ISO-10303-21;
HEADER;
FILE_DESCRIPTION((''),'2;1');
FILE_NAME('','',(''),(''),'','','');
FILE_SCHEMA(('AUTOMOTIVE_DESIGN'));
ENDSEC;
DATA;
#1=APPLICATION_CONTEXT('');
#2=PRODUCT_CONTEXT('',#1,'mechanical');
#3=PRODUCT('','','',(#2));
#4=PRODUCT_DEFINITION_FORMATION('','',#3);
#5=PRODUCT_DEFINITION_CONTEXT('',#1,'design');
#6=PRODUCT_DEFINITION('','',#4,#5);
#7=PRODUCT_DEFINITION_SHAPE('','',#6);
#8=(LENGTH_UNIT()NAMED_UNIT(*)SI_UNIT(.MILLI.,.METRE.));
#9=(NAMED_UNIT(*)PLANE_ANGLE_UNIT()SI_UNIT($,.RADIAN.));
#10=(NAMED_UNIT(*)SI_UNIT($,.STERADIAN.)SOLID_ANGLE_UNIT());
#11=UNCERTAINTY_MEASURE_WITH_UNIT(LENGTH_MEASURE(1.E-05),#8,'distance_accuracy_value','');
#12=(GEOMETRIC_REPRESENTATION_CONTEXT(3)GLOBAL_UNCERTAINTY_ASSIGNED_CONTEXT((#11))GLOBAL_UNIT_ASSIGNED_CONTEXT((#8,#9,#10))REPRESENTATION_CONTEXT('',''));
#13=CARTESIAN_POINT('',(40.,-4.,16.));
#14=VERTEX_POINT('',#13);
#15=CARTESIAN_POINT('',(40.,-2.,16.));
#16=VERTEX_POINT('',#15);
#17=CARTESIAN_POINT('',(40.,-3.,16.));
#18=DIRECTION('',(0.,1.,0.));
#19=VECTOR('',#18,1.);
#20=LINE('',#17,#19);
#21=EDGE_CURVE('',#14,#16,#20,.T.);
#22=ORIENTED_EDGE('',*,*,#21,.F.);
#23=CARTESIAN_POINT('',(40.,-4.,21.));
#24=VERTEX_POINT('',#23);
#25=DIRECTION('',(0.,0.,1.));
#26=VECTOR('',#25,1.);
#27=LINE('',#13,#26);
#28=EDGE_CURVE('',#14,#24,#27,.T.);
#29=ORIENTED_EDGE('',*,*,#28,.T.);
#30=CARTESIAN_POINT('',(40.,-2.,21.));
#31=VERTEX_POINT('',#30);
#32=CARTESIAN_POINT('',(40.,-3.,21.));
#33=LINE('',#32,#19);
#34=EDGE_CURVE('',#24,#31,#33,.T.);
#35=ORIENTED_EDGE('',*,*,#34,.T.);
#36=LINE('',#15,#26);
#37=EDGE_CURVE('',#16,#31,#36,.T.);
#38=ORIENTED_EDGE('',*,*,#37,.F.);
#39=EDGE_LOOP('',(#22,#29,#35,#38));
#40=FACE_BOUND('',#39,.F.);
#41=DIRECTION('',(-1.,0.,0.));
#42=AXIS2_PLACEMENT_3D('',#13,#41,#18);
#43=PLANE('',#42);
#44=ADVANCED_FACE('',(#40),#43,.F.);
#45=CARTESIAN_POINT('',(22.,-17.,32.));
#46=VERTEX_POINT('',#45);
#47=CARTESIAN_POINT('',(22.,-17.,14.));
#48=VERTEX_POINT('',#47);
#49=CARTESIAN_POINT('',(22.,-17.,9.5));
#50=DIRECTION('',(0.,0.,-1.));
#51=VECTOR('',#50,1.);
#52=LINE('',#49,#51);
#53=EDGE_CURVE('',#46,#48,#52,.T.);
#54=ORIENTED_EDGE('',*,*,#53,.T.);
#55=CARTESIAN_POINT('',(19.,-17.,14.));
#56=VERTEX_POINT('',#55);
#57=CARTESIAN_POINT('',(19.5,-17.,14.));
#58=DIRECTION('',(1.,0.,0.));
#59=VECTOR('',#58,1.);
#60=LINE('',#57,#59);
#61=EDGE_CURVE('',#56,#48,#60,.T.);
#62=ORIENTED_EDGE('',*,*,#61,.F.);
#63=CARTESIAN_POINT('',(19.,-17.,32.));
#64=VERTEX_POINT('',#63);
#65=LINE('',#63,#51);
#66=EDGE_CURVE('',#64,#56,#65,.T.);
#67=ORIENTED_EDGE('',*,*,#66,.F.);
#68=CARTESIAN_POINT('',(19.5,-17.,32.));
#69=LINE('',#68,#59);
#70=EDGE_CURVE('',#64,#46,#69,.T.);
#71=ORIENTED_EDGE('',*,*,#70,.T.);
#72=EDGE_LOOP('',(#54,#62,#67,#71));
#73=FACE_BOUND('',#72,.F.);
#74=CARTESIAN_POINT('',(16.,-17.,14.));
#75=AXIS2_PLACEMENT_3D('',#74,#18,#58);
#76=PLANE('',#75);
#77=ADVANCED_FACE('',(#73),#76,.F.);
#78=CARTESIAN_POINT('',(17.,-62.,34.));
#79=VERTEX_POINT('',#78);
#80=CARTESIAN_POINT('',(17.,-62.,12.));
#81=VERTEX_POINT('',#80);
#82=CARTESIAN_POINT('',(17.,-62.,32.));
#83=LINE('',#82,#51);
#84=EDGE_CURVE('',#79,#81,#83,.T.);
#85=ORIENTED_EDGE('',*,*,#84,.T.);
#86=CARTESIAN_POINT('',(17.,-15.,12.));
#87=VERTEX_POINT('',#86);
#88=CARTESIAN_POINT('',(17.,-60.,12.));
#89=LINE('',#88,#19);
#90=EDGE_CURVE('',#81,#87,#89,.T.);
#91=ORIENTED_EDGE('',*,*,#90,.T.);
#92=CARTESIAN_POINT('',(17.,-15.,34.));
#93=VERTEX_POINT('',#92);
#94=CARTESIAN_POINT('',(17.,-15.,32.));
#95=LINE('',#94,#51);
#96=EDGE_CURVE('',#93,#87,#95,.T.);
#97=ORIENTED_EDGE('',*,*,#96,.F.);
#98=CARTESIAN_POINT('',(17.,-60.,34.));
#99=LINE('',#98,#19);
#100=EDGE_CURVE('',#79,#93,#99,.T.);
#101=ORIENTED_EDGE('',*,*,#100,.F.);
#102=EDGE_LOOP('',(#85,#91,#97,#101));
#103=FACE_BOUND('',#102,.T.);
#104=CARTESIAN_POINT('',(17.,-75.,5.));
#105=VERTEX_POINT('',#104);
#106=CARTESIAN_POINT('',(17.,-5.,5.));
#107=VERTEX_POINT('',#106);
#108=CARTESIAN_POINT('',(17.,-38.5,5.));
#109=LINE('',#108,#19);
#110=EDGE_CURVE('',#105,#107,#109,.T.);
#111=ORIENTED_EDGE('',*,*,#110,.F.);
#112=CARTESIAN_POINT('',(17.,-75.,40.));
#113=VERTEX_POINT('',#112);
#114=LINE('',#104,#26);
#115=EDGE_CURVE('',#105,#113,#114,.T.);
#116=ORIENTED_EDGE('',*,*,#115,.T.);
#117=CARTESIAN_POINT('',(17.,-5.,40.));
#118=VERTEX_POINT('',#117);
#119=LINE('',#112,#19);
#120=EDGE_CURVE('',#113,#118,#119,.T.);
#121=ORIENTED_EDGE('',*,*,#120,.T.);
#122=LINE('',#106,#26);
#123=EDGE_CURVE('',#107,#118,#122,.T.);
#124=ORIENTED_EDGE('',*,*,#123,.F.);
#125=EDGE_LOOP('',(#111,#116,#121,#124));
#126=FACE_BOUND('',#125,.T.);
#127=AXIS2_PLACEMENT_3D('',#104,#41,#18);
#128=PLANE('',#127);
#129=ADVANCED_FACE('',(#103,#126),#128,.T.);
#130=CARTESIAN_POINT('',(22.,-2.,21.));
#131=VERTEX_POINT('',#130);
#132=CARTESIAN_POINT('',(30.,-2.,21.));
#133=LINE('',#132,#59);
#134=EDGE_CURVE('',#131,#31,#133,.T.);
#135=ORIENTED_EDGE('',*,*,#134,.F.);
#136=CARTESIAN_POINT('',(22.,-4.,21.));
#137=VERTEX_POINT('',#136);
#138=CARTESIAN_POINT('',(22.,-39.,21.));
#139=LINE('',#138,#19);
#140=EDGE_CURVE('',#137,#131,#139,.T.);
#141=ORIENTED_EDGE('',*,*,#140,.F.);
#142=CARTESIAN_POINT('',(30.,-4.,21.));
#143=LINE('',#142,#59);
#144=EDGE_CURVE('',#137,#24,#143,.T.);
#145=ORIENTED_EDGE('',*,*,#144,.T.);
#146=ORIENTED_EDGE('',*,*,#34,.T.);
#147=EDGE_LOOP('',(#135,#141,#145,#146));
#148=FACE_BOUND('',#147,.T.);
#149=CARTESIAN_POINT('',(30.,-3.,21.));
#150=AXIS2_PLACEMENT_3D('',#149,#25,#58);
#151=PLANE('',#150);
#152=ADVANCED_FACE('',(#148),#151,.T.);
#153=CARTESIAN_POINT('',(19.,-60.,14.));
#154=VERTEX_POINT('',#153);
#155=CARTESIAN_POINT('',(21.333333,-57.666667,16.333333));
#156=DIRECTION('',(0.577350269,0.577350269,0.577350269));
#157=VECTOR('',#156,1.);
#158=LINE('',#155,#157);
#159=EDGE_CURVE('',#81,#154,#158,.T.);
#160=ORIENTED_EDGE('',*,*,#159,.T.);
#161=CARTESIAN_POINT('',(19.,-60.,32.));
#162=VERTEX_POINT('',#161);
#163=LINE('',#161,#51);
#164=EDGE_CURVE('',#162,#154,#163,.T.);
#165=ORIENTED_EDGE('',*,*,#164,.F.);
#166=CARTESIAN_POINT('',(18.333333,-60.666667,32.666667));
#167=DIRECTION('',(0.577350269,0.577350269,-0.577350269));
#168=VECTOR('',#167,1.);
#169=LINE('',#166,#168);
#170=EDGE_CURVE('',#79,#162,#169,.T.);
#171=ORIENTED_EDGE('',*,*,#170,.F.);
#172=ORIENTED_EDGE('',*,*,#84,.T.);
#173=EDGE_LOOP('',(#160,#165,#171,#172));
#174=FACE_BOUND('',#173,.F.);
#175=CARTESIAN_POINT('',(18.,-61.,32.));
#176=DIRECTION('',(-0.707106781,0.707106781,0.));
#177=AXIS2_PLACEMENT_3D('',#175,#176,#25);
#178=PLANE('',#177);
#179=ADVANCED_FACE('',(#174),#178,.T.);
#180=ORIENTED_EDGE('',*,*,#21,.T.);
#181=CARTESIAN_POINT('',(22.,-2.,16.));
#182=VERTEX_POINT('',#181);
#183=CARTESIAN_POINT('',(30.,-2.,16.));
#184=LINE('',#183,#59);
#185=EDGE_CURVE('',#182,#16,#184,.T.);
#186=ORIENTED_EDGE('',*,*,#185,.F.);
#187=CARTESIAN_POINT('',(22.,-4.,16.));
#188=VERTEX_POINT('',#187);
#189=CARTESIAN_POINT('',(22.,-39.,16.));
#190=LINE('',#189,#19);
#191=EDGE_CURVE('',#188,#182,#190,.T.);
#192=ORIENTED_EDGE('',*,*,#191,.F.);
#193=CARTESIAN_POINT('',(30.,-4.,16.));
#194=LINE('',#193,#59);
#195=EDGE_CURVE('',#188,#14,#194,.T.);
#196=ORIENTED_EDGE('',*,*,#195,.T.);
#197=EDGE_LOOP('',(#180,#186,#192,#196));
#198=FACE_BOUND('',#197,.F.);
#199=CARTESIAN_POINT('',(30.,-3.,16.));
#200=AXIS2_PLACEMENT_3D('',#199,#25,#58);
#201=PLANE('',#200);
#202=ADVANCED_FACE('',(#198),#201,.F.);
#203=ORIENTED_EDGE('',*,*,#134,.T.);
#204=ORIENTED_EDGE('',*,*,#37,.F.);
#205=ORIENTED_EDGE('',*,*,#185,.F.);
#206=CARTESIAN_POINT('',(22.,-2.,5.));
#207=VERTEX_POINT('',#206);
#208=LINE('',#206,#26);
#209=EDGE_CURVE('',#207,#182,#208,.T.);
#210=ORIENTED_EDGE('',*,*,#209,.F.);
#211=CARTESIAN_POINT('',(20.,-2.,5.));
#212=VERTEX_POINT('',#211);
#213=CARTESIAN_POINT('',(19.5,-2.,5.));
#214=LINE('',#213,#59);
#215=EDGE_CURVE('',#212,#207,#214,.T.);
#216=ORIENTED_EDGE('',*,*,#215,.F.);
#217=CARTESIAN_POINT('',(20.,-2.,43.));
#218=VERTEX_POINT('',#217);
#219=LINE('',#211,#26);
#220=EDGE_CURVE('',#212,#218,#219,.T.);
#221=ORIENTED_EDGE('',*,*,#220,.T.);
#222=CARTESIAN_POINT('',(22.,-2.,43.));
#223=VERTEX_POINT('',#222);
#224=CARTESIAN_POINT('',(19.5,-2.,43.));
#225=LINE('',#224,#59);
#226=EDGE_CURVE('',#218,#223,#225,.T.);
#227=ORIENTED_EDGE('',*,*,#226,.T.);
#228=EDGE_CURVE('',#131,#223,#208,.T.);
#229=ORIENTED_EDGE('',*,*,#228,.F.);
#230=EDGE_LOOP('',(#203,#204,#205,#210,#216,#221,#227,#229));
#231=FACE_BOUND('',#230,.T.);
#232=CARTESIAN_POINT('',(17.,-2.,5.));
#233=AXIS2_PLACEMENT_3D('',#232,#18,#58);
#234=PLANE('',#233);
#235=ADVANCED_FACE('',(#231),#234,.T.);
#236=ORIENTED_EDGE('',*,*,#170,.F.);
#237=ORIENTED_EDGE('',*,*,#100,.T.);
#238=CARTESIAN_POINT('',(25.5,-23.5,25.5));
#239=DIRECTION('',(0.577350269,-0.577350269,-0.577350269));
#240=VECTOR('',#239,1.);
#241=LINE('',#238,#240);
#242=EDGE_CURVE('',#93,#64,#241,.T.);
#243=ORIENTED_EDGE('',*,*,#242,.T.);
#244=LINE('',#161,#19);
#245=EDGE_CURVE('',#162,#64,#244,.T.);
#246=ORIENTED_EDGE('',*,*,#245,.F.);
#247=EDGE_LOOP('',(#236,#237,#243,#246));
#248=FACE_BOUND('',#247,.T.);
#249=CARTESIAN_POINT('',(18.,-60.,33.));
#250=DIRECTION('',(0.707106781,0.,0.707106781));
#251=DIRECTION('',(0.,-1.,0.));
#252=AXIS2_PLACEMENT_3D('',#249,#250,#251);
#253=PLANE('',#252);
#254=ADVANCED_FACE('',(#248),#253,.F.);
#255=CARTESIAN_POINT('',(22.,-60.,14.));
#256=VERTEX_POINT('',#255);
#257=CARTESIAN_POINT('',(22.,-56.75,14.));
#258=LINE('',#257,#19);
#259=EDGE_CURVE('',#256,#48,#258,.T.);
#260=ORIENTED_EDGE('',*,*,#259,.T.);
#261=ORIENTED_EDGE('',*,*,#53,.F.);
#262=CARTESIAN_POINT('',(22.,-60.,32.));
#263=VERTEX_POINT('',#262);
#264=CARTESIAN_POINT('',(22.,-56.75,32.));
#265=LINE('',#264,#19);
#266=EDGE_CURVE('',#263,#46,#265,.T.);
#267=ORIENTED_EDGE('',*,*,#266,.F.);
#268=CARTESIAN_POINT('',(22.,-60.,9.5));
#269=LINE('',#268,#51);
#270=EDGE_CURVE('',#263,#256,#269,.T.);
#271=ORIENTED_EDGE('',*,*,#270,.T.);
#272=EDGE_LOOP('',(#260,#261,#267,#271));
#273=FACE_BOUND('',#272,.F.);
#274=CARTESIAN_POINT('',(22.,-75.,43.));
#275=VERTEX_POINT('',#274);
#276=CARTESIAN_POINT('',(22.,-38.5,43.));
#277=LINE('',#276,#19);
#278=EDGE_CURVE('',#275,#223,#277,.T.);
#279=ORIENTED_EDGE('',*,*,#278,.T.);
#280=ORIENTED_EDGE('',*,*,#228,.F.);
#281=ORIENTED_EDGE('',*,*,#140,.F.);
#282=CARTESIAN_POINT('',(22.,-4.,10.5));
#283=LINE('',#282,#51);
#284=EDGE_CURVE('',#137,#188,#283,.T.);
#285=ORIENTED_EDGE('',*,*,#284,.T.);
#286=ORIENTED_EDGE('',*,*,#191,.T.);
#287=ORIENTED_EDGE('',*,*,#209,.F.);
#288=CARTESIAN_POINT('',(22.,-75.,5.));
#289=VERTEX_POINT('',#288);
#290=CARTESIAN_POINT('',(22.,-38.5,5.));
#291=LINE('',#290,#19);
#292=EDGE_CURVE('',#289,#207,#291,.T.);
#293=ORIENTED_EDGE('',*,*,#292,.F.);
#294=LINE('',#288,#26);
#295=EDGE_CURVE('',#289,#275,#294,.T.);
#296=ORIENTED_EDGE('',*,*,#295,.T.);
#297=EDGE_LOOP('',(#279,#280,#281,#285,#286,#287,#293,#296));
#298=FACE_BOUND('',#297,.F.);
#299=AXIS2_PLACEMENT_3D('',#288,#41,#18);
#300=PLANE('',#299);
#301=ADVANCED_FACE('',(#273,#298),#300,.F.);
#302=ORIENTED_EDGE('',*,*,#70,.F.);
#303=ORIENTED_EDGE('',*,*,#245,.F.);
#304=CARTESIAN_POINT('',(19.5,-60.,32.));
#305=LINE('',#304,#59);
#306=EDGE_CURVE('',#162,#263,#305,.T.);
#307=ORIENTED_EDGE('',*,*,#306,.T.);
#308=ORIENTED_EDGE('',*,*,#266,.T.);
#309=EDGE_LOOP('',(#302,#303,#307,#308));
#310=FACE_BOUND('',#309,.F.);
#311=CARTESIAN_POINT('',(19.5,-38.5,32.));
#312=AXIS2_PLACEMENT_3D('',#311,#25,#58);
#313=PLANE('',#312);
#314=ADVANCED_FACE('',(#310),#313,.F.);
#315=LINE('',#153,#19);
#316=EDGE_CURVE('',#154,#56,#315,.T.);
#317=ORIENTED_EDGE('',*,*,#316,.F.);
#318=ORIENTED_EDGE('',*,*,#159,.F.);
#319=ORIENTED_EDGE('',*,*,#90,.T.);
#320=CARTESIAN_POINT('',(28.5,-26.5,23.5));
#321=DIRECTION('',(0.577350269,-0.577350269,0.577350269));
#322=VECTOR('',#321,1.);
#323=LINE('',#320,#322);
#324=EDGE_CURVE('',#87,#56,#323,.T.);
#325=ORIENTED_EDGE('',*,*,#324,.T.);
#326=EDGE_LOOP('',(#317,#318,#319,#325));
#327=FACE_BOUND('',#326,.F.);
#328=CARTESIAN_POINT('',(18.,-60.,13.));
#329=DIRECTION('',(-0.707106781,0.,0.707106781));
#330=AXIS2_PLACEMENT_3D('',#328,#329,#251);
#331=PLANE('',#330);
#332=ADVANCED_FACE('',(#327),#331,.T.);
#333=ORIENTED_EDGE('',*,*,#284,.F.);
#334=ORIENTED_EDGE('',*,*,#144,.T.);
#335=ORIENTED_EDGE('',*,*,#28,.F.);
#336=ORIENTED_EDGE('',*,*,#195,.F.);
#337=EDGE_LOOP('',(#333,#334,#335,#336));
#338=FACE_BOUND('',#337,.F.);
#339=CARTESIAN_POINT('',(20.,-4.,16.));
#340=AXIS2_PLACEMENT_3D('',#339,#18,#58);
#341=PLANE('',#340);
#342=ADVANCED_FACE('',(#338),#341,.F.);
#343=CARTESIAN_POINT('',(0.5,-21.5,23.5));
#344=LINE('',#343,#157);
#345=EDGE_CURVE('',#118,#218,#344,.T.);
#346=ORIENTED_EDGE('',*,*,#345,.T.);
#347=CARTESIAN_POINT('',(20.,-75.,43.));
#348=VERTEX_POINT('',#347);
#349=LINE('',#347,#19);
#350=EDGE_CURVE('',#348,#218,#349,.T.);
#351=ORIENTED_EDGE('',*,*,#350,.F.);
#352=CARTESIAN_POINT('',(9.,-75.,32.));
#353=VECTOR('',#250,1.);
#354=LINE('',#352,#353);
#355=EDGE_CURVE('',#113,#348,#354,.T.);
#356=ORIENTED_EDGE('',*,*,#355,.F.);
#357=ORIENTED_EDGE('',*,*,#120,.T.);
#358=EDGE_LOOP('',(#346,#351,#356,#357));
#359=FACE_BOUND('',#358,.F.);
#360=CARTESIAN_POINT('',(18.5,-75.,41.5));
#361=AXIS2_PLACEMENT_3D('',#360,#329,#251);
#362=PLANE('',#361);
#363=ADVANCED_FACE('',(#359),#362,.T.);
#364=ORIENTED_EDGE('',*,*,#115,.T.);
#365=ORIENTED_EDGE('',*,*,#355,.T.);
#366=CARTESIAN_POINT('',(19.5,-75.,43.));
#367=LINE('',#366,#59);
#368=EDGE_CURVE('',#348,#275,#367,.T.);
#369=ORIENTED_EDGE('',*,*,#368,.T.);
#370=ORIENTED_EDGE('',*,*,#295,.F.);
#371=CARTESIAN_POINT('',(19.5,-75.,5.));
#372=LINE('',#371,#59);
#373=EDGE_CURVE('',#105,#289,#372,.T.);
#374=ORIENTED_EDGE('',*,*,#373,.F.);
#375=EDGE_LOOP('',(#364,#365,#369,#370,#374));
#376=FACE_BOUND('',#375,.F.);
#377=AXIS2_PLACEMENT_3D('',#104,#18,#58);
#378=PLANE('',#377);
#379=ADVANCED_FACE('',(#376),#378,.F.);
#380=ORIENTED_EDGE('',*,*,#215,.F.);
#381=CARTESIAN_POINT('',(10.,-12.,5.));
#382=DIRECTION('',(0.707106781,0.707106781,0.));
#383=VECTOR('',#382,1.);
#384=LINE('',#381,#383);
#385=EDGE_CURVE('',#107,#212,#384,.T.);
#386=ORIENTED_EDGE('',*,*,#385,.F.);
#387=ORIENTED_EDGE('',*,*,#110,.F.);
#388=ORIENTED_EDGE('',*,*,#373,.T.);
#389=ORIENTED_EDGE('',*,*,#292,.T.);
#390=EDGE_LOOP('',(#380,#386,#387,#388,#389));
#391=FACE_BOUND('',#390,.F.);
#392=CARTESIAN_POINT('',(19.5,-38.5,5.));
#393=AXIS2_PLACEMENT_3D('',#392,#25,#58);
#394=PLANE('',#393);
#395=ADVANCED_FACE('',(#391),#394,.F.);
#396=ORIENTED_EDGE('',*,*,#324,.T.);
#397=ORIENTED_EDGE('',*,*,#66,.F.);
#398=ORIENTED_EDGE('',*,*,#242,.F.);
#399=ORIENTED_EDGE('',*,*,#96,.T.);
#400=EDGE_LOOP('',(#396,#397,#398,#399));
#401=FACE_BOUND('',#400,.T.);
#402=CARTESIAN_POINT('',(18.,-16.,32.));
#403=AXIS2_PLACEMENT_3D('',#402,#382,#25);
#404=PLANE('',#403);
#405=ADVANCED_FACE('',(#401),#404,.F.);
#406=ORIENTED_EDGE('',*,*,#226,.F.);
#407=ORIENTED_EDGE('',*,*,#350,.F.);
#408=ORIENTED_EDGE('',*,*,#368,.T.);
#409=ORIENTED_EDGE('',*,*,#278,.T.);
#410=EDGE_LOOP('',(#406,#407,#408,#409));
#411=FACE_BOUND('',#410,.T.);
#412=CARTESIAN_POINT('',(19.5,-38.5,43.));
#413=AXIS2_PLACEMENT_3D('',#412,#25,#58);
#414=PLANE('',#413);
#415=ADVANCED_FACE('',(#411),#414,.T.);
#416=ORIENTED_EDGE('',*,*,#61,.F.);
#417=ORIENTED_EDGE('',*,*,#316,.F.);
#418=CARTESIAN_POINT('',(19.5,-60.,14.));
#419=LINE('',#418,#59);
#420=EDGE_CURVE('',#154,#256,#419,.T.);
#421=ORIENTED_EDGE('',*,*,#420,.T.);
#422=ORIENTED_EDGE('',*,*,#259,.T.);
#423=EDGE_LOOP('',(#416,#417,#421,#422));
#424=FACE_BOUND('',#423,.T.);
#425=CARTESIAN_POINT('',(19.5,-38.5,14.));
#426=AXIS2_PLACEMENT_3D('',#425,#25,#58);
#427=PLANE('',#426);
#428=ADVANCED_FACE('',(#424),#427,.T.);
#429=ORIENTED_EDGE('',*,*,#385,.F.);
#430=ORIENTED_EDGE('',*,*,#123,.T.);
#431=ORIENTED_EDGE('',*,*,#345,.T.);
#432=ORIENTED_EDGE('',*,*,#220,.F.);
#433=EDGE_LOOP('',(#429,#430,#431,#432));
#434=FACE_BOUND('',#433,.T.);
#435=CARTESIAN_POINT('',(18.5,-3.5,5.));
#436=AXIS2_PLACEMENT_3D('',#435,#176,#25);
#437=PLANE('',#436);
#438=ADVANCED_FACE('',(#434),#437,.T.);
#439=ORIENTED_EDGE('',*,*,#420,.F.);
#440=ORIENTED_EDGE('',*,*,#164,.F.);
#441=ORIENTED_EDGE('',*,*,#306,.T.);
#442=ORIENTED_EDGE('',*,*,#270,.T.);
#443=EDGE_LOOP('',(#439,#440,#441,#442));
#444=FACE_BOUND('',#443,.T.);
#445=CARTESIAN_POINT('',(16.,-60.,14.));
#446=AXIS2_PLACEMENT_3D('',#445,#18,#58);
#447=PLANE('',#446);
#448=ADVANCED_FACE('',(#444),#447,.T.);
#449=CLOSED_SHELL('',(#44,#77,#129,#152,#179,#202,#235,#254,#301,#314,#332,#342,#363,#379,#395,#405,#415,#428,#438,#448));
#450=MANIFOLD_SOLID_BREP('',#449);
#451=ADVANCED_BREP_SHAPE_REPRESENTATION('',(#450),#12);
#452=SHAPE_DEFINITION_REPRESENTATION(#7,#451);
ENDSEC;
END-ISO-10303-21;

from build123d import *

# Parameters (mm, degrees)
BOX012_W        = 20
BOX012_H        = 2
BOX012_DEPTH    = 5
BOX011_W        = 7
BOX011_H        = 43
BOX011_DEPTH    = 18
BOX010_W        = 5
BOX010_H        = 73
BOX010_DEPTH    = 38
CHAMFER002_SIZE = 3
CHAMFER003_SIZE = 2


with BuildPart() as cube004:
    # Box012 → Box012 (new body)
    with BuildSketch(Plane(origin=(20, -4, 16), x_dir=(1, 0, 0), z_dir=(0, 0, 1))):
        with Locations((10, 1)):
            Rectangle(BOX012_W, BOX012_H)
    extrude(amount=BOX012_DEPTH)


with BuildPart() as restriccion_lipo001:
    # Box011 → Box011 (new body)
    with BuildSketch(Plane(origin=(16, -60, 14), x_dir=(1, 0, 0), z_dir=(0, 0, 1))):
        with Locations((3.5, 21.5)):
            Rectangle(BOX011_W, BOX011_H)
    extrude(amount=BOX011_DEPTH)


with BuildPart() as rejillas_lipo:
    # Box010 → Box010 (new body)
    with BuildSketch(Plane(origin=(17, -75, 5), x_dir=(1, 0, 0), z_dir=(0, 0, 1))):
        with Locations((2.5, 36.5)):
            Rectangle(BOX010_W, BOX010_H)
    extrude(amount=BOX010_DEPTH)

    # Cut028: cut restriccion-lipo001
    add(restriccion_lipo001.part, mode=Mode.SUBTRACT)

    # Chamfer002
    chamfer002_edges = [rejillas_lipo.edges().sort_by_distance(p)[0] for p in [
        (17, -38.5, 43),
        (17, -2, 24),
    ]]
    chamfer(chamfer002_edges, length=CHAMFER002_SIZE)

    # Chamfer003
    chamfer003_edges = [rejillas_lipo.edges().sort_by_distance(p)[0] for p in [
        (17, -38.5, 14),
        (17, -17, 23),
        (17, -38.5, 32),
        (17, -60, 23),
    ]]
    chamfer(chamfer003_edges, length=CHAMFER003_SIZE)

    # Fusion001032: union Cube004
    add(cube004.part)


solid = rejillas_lipo.part
